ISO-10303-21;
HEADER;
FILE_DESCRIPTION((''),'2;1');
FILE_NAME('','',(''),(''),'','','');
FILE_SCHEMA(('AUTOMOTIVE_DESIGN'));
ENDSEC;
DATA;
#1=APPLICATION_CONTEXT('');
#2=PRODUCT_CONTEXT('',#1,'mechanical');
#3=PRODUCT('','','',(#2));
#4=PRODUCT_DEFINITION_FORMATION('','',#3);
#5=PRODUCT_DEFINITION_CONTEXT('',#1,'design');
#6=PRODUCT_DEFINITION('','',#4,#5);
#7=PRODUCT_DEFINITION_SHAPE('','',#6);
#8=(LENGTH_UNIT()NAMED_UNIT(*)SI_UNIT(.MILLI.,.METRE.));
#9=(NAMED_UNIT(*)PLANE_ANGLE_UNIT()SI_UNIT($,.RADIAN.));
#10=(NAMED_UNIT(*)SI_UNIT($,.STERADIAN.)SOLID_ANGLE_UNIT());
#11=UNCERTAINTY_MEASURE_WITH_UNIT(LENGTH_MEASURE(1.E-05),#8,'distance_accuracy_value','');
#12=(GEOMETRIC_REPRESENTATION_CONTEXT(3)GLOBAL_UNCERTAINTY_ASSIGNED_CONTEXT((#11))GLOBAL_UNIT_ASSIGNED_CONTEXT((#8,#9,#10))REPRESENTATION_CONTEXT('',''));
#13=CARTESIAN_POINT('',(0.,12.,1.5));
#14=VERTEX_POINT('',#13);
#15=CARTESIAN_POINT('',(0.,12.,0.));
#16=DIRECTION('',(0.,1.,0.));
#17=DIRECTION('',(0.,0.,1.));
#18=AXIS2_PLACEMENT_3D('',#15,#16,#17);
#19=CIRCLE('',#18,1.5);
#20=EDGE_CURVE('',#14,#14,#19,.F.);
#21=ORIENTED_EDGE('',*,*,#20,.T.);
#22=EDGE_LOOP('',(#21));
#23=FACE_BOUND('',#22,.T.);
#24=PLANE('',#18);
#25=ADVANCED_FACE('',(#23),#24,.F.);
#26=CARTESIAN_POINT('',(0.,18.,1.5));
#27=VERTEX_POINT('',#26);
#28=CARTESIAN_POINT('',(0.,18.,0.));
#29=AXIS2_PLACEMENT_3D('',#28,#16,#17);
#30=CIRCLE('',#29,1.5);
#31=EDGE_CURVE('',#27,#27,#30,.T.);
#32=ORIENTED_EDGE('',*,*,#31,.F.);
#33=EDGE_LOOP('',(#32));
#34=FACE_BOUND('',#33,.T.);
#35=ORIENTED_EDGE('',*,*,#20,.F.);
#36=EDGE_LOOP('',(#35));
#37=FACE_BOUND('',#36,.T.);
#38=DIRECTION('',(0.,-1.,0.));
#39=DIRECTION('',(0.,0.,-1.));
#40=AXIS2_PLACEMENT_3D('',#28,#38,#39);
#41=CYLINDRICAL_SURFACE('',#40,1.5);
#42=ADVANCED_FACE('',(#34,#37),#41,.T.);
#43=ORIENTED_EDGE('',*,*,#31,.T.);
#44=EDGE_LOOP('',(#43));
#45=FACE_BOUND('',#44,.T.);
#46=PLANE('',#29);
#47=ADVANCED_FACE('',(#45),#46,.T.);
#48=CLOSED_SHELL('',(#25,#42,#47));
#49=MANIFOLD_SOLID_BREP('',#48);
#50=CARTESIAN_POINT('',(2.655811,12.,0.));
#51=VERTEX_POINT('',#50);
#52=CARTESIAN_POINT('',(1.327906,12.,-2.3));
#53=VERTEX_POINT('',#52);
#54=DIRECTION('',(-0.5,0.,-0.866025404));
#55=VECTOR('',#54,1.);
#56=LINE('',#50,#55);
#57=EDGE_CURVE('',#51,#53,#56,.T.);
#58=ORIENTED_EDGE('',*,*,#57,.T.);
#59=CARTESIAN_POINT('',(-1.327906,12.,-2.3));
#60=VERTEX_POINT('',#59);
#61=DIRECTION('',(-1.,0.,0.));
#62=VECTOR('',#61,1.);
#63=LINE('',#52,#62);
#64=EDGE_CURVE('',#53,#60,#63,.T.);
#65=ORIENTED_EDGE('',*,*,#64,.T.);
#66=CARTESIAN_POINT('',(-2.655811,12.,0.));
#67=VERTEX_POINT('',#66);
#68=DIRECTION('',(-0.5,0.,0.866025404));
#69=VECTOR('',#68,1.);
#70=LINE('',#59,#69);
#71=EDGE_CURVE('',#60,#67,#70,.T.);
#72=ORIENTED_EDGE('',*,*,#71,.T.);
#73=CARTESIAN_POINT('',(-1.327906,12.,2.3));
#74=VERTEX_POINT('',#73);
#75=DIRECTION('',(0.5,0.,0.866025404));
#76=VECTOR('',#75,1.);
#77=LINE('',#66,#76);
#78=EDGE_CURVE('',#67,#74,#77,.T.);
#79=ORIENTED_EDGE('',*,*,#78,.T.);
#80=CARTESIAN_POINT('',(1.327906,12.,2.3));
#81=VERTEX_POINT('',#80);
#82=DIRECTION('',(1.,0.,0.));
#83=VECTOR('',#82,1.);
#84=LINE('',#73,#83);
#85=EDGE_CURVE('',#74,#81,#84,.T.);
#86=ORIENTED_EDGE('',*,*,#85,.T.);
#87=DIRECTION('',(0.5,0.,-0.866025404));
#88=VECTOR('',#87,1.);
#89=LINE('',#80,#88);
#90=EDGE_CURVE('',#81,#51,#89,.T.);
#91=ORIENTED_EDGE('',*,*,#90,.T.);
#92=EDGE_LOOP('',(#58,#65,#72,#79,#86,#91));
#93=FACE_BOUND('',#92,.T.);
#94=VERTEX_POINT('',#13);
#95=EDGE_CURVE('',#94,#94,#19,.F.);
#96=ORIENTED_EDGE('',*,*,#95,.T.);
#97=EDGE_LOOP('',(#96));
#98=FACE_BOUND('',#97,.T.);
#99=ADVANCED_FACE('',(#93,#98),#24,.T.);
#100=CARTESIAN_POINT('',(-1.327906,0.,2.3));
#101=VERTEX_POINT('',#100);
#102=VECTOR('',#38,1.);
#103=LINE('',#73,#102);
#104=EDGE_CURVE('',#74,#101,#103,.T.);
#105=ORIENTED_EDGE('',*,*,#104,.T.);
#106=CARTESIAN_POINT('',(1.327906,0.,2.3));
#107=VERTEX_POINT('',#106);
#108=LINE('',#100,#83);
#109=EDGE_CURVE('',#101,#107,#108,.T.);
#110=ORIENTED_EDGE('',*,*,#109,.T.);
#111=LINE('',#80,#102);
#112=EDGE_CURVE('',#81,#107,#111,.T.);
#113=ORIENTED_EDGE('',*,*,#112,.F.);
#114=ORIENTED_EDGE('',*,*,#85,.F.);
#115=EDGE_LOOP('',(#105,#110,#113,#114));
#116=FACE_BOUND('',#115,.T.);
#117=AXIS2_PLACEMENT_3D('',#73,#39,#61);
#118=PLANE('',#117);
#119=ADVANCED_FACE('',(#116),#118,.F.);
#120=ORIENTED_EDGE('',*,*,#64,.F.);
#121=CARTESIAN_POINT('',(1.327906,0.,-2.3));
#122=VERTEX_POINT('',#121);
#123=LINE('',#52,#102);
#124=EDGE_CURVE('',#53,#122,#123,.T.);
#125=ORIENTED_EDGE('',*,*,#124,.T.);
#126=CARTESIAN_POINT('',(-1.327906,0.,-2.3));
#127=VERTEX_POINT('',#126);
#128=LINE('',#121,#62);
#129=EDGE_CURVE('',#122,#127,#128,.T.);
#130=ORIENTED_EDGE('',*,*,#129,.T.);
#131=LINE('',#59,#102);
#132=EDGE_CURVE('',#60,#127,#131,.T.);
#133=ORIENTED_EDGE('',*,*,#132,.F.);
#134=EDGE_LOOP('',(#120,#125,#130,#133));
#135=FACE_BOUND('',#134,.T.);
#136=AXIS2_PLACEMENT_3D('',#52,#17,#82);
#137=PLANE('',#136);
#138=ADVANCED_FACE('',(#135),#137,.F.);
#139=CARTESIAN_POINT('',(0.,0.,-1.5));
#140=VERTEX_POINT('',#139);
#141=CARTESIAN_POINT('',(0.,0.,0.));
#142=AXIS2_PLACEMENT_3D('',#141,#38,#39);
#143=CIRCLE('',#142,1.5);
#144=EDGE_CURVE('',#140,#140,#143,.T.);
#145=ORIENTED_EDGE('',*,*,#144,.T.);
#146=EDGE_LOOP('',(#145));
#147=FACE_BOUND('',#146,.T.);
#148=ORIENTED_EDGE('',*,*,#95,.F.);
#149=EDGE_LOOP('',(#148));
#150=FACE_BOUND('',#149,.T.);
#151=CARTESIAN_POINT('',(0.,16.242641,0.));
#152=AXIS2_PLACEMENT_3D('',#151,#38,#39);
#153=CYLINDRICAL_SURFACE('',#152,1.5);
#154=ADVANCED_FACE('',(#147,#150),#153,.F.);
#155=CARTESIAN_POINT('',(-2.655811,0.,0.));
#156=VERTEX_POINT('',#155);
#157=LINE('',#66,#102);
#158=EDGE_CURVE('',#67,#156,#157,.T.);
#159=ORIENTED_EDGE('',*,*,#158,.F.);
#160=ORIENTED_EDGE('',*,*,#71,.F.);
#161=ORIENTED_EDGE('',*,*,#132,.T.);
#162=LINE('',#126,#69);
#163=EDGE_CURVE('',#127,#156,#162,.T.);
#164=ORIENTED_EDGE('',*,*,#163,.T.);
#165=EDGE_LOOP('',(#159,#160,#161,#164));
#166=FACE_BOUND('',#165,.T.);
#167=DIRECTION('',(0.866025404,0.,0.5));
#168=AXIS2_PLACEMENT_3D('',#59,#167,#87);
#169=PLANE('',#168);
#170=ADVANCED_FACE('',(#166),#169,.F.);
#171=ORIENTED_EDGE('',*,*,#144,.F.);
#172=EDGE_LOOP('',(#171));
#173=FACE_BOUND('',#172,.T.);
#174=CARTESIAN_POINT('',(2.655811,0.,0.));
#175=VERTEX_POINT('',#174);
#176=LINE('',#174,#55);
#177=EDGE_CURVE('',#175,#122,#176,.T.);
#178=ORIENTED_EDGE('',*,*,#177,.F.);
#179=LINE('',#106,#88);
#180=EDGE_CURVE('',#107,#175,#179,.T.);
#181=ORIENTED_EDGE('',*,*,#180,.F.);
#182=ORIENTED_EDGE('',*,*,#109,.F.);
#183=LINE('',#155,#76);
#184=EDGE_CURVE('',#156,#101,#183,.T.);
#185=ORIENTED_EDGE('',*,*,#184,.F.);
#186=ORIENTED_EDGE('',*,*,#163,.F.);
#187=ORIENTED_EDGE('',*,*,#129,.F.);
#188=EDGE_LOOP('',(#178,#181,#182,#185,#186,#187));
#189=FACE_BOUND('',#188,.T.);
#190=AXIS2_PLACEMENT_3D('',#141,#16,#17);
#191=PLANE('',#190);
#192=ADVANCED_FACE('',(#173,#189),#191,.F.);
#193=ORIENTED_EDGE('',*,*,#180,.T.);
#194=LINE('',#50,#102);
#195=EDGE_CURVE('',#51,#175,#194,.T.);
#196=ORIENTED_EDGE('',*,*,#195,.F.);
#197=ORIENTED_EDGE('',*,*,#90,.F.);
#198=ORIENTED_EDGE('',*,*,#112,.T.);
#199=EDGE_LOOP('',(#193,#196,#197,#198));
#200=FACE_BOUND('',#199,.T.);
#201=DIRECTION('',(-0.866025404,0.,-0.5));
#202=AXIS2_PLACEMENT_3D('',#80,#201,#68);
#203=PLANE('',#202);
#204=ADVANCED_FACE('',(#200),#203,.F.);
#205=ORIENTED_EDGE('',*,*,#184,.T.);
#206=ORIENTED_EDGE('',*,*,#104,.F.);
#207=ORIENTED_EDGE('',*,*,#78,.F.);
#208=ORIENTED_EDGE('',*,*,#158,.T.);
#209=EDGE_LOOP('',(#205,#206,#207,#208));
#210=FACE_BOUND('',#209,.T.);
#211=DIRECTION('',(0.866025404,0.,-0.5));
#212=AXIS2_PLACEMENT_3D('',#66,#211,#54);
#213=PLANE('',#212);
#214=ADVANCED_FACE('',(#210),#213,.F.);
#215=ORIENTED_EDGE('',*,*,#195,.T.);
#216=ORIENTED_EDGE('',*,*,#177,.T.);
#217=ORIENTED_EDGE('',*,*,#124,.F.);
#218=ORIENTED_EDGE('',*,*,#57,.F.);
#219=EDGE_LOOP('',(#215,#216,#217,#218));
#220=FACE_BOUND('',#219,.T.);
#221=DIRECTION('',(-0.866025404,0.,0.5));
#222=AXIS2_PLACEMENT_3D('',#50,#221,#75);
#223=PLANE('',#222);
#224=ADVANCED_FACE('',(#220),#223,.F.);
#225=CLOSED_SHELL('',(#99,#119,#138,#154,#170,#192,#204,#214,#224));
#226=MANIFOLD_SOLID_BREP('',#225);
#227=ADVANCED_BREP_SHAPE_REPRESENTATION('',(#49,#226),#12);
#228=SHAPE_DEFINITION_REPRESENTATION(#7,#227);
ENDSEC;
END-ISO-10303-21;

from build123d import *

# Parameters (mm, degrees)
EXTRUDE_1_DEPTH     = 12
SKETCH_3_R          = 1.5
EXTRUDE_2_DEPTH     = 6
SKETCH_4_R          = 1.5
CUT_EXTRUDE_1_DEPTH = 12


with BuildPart() as part:
    # 草图1 → 凸台-拉伸1 (new body)
    with BuildSketch(Plane(origin=(0, 0, 0), x_dir=(1, 0, 0), z_dir=(0, 1, 0))):
        Polygon((-1.327905619, 2.3), (-2.655811238, 0), (-1.327905619, -2.3), (1.327905619, -2.3), (2.655811238, 0), (1.327905619, 2.3), align=None)
    extrude(amount=EXTRUDE_1_DEPTH)

    # 草图3 → 凸台-拉伸2 (add)
    with BuildSketch(Plane(origin=(0, 12, 0), x_dir=(1, 0, 0), z_dir=(0, 1, 0))):
        with Locations(Location((0, 0, 0), (0, 0, 270))):
            Circle(SKETCH_3_R)
    extrude(amount=EXTRUDE_2_DEPTH)

    # 草图4 → 切除-拉伸1 (cut)
    with BuildSketch(Plane.XZ):
        with Locations(Location((0, 0, 0), (0, 0, 270))):
            Circle(SKETCH_4_R)
    extrude(amount=-CUT_EXTRUDE_1_DEPTH, mode=Mode.SUBTRACT)


with BuildPart() as cut_extrude_1_piece_1:
    # of the separate pieces the step leaves, piece 1, a body of its own (cut_extrude_1_pieces)
    add(part.part.solids().sort_by_distance((-1.327905619, 0, -2.3))[0])


with BuildPart() as cut_extrude_1_piece_2:
    # of the separate pieces the step leaves, piece 2, a body of its own (cut_extrude_1_pieces)
    add(part.part.solids().sort_by_distance((0, 18, 1.5))[0])


solid = Compound([cut_extrude_1_piece_1.part, cut_extrude_1_piece_2.part])
